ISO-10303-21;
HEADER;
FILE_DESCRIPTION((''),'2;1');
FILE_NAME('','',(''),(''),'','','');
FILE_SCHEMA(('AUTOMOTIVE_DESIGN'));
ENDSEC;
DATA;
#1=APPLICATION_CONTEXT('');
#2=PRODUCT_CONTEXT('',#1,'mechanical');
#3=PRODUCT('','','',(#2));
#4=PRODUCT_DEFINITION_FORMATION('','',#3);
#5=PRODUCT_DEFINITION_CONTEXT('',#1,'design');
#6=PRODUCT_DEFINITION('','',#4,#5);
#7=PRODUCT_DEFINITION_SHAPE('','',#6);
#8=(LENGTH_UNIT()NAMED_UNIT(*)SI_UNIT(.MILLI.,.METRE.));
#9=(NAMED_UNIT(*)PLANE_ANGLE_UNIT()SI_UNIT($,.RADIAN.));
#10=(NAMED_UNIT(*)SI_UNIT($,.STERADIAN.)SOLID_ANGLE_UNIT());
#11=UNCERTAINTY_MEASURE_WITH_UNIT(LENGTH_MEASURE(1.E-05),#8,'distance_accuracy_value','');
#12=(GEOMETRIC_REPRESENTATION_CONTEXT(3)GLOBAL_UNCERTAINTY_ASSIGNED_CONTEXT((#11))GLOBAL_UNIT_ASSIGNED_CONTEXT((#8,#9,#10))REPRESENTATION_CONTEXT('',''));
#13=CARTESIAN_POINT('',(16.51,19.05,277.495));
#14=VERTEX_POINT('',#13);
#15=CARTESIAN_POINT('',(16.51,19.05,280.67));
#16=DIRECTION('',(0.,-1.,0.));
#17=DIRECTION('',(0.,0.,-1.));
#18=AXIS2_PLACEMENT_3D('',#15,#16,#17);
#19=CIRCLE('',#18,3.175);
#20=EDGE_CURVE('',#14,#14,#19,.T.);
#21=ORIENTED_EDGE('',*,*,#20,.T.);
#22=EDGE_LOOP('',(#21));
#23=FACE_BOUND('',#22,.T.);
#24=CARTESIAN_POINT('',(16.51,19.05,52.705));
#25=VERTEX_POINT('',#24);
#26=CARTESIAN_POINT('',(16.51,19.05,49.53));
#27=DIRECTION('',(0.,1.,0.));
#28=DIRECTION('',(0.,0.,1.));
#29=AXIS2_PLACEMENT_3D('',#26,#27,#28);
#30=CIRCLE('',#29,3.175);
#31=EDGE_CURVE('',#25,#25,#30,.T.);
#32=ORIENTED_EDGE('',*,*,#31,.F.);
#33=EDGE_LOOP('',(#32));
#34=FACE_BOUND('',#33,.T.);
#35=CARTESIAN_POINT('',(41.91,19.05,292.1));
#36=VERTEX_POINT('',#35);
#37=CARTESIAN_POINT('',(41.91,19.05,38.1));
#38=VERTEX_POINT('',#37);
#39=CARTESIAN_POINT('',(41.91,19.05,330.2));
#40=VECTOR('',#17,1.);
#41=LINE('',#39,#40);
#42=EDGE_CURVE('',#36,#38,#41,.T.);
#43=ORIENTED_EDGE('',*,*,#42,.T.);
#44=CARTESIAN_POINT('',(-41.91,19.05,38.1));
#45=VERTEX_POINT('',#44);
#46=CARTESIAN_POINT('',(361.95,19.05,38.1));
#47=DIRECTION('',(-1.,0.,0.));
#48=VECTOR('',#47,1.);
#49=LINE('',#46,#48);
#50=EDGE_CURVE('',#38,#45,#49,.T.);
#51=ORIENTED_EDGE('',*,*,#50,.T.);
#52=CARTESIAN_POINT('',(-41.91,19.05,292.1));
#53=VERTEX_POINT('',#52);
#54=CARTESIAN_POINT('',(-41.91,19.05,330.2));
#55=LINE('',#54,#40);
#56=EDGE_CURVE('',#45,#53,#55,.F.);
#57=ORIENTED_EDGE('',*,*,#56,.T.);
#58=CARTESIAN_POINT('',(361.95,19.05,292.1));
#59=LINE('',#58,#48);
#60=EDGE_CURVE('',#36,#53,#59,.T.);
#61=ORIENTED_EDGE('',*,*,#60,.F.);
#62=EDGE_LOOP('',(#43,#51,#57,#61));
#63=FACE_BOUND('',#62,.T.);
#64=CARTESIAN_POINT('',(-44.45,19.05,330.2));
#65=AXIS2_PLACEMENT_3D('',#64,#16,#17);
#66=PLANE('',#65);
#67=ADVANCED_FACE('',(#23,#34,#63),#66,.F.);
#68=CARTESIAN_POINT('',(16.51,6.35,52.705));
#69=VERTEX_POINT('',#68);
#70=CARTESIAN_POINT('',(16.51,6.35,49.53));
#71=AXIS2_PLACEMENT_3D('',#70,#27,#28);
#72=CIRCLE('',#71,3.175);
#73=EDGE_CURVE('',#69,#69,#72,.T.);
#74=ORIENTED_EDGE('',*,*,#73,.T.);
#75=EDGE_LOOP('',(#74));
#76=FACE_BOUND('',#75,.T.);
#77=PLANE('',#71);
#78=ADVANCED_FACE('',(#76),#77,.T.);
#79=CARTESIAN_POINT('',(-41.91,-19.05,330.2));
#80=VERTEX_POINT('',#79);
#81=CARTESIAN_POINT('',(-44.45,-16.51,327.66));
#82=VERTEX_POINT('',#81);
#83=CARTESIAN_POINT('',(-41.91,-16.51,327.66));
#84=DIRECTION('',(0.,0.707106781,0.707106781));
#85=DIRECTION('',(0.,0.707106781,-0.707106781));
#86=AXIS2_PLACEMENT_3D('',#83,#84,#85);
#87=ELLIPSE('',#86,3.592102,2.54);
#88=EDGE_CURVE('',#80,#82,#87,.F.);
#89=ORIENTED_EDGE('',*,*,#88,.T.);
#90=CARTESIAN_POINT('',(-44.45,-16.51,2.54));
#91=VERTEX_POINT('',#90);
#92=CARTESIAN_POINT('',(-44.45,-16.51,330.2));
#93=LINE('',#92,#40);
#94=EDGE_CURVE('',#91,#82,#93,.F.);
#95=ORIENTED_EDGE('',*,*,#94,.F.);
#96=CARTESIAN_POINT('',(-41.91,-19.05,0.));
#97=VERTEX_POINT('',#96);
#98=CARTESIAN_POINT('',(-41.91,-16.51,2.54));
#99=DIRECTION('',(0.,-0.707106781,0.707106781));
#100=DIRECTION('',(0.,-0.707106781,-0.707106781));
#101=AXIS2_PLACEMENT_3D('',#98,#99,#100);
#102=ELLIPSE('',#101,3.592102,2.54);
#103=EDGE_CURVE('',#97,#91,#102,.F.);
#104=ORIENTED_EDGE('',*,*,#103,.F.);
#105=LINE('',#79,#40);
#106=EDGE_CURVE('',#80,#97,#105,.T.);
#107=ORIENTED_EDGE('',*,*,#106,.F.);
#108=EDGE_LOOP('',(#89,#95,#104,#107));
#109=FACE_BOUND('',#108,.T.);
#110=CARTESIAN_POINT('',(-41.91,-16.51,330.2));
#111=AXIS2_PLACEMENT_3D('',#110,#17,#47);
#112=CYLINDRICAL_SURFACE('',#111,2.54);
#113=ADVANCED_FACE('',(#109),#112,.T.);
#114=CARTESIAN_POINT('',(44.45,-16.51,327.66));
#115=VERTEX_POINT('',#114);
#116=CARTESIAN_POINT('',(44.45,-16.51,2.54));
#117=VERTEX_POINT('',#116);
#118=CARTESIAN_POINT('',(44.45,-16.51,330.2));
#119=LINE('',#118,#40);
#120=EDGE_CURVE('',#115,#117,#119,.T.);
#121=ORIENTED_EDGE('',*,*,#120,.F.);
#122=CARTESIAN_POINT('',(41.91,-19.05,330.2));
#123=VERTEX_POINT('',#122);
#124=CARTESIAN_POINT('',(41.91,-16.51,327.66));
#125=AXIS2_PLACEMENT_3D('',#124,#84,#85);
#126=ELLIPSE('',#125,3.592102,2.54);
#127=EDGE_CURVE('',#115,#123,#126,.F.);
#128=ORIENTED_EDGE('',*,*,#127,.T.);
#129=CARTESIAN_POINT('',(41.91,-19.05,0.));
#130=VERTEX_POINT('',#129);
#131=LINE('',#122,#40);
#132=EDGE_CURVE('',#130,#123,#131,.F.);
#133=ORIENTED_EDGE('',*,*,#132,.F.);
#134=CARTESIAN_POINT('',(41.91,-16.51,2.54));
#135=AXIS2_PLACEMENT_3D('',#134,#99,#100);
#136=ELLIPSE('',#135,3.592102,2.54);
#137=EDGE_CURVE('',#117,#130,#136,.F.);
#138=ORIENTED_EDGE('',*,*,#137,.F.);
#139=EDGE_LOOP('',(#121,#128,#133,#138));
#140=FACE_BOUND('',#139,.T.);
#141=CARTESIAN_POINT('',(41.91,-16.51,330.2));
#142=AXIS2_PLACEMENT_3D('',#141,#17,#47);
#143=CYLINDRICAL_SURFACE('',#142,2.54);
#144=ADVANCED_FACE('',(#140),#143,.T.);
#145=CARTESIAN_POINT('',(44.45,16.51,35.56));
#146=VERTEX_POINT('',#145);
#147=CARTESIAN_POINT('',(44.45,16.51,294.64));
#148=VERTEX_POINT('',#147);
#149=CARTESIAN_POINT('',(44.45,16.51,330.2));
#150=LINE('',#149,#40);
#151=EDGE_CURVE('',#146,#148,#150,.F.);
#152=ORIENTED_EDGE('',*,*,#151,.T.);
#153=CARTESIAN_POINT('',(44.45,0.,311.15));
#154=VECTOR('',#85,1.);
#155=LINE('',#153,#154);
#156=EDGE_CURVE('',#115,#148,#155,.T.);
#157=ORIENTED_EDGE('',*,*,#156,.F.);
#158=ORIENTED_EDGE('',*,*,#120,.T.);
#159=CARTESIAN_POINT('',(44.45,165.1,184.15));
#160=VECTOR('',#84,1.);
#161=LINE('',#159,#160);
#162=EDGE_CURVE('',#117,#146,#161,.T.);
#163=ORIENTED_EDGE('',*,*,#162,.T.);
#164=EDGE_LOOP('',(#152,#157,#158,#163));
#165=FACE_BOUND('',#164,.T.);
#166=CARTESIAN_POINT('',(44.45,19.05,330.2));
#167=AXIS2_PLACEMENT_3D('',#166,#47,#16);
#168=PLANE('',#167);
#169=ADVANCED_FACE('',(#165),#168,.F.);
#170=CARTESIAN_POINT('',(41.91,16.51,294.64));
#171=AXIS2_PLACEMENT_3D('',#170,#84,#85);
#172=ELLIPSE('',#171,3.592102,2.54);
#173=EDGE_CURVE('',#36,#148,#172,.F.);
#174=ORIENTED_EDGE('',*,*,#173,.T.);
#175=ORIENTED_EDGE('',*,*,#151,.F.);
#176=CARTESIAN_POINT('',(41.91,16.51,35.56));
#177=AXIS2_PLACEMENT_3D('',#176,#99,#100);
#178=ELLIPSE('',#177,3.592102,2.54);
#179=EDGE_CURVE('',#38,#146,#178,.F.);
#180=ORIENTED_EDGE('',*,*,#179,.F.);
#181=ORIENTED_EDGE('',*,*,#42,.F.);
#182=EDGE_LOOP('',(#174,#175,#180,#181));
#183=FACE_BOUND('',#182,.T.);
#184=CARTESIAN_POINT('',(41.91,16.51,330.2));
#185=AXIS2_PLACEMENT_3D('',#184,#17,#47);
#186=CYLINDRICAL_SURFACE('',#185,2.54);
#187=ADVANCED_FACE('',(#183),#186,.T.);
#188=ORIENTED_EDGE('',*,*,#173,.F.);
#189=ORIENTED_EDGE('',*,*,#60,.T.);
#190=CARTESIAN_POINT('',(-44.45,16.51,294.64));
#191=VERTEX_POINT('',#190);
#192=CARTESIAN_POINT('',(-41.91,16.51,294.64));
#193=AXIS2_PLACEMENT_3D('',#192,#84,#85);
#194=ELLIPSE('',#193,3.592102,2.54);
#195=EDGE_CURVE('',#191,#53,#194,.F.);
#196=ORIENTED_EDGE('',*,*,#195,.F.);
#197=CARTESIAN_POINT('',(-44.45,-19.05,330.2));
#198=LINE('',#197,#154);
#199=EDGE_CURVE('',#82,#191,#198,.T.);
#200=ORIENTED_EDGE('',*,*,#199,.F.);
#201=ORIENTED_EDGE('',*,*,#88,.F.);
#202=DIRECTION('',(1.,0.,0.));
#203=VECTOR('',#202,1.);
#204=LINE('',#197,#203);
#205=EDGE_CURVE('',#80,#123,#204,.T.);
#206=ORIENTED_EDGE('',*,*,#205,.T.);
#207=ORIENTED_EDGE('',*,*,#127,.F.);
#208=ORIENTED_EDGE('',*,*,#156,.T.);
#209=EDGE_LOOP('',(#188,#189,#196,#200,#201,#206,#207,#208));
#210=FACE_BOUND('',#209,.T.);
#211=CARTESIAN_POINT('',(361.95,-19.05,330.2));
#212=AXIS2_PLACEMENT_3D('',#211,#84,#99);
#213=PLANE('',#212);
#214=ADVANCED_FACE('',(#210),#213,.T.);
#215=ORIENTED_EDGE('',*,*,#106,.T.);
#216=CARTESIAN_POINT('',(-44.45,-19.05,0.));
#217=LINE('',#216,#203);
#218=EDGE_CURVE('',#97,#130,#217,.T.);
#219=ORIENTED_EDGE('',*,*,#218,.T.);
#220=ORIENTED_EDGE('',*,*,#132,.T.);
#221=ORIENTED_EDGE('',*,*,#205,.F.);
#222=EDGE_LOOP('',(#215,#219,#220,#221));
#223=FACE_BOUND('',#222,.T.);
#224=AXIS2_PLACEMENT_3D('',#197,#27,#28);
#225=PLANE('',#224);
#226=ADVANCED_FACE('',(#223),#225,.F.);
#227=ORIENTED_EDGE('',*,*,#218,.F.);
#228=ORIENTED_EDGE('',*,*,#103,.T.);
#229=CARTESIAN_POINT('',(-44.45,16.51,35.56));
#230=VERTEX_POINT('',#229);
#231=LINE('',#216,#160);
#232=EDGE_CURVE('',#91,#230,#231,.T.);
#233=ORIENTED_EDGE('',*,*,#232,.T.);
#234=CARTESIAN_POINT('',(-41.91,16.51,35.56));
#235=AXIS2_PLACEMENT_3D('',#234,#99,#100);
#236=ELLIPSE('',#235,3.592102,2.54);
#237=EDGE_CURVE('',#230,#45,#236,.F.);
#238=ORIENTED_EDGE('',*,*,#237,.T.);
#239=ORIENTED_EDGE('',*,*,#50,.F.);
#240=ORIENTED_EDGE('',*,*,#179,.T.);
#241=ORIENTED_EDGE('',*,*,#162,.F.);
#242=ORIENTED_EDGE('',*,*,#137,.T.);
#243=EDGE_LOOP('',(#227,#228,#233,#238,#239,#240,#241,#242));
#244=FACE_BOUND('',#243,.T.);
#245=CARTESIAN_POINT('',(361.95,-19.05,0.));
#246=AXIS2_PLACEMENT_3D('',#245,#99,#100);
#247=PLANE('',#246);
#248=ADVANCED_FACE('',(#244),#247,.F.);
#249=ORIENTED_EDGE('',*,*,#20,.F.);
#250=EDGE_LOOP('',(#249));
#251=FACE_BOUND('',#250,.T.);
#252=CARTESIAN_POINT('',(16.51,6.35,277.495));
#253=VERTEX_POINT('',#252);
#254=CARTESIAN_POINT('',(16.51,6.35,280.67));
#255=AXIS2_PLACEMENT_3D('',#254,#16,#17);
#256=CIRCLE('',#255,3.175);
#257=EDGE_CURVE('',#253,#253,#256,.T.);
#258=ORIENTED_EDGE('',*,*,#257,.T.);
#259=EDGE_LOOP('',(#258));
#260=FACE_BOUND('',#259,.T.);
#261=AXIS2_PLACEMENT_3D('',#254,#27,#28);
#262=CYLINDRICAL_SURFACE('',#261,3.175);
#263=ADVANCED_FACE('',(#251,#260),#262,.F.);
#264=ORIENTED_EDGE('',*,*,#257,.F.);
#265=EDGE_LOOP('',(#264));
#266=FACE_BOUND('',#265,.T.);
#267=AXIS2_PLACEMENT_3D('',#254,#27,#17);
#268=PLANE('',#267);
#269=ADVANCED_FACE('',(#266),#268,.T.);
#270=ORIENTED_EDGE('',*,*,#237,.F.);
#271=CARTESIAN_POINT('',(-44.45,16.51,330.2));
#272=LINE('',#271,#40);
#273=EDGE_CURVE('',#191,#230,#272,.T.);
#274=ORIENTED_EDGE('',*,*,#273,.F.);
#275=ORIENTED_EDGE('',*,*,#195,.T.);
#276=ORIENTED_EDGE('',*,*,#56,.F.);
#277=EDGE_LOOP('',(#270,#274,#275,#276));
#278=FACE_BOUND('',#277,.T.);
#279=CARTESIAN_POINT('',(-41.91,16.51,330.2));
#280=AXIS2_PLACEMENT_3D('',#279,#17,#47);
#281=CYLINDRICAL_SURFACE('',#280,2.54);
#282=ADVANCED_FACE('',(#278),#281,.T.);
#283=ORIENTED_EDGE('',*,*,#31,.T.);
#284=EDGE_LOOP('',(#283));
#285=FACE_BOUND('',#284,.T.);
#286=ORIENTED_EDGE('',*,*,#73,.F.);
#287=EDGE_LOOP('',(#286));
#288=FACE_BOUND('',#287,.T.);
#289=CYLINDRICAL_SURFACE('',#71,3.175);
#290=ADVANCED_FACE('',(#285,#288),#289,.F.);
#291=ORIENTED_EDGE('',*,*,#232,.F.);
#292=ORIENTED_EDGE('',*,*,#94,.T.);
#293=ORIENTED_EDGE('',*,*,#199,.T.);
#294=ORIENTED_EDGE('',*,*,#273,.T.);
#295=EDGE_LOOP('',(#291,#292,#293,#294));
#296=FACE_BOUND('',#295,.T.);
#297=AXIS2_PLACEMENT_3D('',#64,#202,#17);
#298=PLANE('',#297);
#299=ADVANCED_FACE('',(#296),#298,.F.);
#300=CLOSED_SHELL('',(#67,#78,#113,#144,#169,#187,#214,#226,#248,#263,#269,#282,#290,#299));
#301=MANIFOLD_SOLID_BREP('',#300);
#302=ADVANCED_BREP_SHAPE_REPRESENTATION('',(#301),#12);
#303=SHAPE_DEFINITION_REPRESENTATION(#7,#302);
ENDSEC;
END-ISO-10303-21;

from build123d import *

# Parameters (mm, degrees)
SKETCH1_W           = 88.9
SKETCH1_H           = 38.1
BOSS_EXTRUDE1_DEPTH = 330.2
FILLET1_R           = 2.54
CUT_EXTRUDE1_DEPTH  = 406.4
SKETCH3_R           = 3.175
CUT_EXTRUDE2_DEPTH  = 12.7


with BuildPart() as part:
    # Sketch1 → Boss-Extrude1 (new body)
    with BuildSketch(Plane.XY):
        Rectangle(SKETCH1_W, SKETCH1_H)
    extrude(amount=BOSS_EXTRUDE1_DEPTH)

    # Fillet1
    fillet1_edges = [part.edges().sort_by_distance(p)[0] for p in [
        (44.45, -19.05, 165.1),
        (-44.45, -19.05, 165.1),
        (-44.45, 19.05, 165.1),
        (44.45, 19.05, 165.1),
    ]]
    fillet(fillet1_edges, radius=FILLET1_R)

    # Sketch2 → Cut-Extrude1 (cut)
    with BuildSketch(Plane.ZY.offset(44.45)):
        Polygon((0, 19.05), (0, -19.05), (38.1, 19.05), align=None)
    cut_extrude1 = extrude(amount=-CUT_EXTRUDE1_DEPTH, mode=Mode.SUBTRACT)

    # Mirror1: Cut-Extrude1 across plane
    add(cut_extrude1.mirror(Plane.XY.offset(165.1)), mode=Mode.SUBTRACT)

    # Sketch3 → Cut-Extrude2 (cut)
    with BuildSketch(Plane(origin=(0, 19.05, 0), x_dir=(1, 0, 0), z_dir=(0, 1, 0))):
        with Locations((16.51, -49.53)):
            Circle(SKETCH3_R)
    cut_extrude2 = extrude(amount=-CUT_EXTRUDE2_DEPTH, mode=Mode.SUBTRACT)

    # Mirror2: Cut-Extrude2 across plane
    add(cut_extrude2.mirror(Plane.XY.offset(165.1)), mode=Mode.SUBTRACT)


solid = part.part
